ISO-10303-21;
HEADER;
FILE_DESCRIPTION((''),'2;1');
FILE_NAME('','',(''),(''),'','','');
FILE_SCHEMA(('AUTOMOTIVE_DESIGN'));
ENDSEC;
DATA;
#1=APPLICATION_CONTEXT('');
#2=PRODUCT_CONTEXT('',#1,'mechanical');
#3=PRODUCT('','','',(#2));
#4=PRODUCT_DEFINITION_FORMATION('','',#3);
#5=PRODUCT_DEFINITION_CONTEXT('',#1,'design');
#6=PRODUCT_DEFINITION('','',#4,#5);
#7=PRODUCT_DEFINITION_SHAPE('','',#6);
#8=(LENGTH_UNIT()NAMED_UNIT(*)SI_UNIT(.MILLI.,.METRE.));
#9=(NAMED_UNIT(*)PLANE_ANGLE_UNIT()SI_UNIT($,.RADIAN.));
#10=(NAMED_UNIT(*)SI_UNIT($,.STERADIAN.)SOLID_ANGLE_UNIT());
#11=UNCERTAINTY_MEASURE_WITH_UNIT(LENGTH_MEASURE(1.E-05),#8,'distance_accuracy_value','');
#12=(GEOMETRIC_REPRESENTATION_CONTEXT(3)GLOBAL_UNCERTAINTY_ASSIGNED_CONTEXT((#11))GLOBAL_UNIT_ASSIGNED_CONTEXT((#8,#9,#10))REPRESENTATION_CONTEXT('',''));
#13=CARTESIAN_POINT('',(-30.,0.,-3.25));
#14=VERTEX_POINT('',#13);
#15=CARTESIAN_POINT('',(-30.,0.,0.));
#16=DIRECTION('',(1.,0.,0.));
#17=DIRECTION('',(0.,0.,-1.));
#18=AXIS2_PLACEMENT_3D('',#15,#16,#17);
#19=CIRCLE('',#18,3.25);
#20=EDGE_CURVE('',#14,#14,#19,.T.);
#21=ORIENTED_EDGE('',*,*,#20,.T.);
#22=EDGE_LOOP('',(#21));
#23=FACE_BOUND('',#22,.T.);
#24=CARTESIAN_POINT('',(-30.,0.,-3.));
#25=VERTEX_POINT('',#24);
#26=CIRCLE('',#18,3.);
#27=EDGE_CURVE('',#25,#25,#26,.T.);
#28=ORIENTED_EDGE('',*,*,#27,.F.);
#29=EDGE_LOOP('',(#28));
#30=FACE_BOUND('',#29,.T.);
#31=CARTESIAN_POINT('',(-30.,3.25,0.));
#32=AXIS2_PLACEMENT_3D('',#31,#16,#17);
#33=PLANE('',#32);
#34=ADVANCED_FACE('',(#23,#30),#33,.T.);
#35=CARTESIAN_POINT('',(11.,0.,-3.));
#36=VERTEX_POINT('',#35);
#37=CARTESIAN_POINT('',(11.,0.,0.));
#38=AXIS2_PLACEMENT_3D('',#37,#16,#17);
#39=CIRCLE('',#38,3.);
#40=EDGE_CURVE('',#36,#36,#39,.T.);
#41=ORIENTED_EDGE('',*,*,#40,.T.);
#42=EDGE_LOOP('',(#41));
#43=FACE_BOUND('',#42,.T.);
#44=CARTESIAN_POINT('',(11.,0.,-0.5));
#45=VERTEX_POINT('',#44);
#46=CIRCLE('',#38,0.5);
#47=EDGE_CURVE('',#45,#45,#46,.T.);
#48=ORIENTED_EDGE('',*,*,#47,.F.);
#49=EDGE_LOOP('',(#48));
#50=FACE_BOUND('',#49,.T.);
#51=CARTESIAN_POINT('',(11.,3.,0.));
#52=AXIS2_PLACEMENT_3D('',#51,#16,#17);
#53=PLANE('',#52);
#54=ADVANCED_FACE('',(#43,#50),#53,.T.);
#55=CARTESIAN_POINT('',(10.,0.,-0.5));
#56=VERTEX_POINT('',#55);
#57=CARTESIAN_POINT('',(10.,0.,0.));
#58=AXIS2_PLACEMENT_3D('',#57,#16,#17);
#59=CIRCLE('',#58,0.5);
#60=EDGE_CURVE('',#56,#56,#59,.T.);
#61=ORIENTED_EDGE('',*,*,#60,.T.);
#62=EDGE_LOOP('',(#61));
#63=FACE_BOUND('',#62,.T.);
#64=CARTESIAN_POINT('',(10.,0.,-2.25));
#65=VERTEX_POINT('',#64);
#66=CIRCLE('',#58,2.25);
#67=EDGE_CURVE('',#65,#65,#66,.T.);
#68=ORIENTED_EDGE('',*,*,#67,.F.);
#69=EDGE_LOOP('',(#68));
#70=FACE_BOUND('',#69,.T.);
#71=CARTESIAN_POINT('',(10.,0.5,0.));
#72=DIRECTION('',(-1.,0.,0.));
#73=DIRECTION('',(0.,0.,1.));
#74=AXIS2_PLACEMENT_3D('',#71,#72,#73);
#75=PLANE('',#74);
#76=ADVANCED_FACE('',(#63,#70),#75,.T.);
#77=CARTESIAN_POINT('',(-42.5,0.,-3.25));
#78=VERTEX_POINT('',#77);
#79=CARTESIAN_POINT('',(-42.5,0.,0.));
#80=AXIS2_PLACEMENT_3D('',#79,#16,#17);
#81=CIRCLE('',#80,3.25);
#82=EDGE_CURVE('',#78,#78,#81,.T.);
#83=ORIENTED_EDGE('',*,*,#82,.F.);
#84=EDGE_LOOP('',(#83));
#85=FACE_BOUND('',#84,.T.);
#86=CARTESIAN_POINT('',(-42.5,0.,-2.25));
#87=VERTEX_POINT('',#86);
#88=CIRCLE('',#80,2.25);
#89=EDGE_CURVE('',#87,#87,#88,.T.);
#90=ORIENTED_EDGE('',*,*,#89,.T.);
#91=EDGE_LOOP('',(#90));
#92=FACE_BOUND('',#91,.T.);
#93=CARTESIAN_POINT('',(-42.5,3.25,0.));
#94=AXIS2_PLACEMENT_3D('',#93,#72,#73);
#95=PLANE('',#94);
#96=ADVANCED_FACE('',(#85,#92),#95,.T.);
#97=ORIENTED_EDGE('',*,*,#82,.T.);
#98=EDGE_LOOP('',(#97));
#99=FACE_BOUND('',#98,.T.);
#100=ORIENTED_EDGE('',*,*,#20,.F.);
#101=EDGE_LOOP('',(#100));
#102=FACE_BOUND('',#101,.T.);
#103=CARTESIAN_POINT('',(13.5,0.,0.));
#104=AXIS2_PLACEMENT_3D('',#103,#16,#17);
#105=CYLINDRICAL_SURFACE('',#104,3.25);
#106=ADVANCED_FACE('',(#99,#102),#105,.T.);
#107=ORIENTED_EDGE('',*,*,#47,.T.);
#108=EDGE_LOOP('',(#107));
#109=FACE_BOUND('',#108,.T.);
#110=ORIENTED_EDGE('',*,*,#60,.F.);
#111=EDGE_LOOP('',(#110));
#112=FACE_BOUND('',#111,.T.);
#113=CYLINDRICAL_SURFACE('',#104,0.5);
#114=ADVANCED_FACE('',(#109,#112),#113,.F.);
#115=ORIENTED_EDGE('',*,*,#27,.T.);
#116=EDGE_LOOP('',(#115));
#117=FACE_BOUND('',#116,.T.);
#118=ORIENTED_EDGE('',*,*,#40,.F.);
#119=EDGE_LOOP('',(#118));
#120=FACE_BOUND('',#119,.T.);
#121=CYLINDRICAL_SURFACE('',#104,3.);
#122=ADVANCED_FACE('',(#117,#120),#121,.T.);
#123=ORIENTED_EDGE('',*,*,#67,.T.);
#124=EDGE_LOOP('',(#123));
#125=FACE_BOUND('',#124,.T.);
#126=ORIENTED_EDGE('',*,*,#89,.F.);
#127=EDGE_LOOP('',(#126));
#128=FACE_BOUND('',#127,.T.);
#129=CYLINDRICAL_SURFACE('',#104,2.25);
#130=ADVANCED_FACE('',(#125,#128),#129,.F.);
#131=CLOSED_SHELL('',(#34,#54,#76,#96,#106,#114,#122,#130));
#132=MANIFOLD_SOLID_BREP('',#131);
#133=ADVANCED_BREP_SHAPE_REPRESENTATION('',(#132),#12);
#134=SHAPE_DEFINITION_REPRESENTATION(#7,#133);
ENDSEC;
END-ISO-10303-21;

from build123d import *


with BuildPart() as part:
    # Sketch1 → Revolve1 (revolve)
    with BuildSketch(Plane.XY):
        Polygon((10, 0.5), (11, 0.5), (11, 3), (-30, 3), (-30, 3.25), (-42.5, 3.25), (-42.5, 2.25), (10, 2.25), align=None)
    revolve(axis=Axis((13.5, 0, 0), (-1, 0, 0)))


solid = part.part
